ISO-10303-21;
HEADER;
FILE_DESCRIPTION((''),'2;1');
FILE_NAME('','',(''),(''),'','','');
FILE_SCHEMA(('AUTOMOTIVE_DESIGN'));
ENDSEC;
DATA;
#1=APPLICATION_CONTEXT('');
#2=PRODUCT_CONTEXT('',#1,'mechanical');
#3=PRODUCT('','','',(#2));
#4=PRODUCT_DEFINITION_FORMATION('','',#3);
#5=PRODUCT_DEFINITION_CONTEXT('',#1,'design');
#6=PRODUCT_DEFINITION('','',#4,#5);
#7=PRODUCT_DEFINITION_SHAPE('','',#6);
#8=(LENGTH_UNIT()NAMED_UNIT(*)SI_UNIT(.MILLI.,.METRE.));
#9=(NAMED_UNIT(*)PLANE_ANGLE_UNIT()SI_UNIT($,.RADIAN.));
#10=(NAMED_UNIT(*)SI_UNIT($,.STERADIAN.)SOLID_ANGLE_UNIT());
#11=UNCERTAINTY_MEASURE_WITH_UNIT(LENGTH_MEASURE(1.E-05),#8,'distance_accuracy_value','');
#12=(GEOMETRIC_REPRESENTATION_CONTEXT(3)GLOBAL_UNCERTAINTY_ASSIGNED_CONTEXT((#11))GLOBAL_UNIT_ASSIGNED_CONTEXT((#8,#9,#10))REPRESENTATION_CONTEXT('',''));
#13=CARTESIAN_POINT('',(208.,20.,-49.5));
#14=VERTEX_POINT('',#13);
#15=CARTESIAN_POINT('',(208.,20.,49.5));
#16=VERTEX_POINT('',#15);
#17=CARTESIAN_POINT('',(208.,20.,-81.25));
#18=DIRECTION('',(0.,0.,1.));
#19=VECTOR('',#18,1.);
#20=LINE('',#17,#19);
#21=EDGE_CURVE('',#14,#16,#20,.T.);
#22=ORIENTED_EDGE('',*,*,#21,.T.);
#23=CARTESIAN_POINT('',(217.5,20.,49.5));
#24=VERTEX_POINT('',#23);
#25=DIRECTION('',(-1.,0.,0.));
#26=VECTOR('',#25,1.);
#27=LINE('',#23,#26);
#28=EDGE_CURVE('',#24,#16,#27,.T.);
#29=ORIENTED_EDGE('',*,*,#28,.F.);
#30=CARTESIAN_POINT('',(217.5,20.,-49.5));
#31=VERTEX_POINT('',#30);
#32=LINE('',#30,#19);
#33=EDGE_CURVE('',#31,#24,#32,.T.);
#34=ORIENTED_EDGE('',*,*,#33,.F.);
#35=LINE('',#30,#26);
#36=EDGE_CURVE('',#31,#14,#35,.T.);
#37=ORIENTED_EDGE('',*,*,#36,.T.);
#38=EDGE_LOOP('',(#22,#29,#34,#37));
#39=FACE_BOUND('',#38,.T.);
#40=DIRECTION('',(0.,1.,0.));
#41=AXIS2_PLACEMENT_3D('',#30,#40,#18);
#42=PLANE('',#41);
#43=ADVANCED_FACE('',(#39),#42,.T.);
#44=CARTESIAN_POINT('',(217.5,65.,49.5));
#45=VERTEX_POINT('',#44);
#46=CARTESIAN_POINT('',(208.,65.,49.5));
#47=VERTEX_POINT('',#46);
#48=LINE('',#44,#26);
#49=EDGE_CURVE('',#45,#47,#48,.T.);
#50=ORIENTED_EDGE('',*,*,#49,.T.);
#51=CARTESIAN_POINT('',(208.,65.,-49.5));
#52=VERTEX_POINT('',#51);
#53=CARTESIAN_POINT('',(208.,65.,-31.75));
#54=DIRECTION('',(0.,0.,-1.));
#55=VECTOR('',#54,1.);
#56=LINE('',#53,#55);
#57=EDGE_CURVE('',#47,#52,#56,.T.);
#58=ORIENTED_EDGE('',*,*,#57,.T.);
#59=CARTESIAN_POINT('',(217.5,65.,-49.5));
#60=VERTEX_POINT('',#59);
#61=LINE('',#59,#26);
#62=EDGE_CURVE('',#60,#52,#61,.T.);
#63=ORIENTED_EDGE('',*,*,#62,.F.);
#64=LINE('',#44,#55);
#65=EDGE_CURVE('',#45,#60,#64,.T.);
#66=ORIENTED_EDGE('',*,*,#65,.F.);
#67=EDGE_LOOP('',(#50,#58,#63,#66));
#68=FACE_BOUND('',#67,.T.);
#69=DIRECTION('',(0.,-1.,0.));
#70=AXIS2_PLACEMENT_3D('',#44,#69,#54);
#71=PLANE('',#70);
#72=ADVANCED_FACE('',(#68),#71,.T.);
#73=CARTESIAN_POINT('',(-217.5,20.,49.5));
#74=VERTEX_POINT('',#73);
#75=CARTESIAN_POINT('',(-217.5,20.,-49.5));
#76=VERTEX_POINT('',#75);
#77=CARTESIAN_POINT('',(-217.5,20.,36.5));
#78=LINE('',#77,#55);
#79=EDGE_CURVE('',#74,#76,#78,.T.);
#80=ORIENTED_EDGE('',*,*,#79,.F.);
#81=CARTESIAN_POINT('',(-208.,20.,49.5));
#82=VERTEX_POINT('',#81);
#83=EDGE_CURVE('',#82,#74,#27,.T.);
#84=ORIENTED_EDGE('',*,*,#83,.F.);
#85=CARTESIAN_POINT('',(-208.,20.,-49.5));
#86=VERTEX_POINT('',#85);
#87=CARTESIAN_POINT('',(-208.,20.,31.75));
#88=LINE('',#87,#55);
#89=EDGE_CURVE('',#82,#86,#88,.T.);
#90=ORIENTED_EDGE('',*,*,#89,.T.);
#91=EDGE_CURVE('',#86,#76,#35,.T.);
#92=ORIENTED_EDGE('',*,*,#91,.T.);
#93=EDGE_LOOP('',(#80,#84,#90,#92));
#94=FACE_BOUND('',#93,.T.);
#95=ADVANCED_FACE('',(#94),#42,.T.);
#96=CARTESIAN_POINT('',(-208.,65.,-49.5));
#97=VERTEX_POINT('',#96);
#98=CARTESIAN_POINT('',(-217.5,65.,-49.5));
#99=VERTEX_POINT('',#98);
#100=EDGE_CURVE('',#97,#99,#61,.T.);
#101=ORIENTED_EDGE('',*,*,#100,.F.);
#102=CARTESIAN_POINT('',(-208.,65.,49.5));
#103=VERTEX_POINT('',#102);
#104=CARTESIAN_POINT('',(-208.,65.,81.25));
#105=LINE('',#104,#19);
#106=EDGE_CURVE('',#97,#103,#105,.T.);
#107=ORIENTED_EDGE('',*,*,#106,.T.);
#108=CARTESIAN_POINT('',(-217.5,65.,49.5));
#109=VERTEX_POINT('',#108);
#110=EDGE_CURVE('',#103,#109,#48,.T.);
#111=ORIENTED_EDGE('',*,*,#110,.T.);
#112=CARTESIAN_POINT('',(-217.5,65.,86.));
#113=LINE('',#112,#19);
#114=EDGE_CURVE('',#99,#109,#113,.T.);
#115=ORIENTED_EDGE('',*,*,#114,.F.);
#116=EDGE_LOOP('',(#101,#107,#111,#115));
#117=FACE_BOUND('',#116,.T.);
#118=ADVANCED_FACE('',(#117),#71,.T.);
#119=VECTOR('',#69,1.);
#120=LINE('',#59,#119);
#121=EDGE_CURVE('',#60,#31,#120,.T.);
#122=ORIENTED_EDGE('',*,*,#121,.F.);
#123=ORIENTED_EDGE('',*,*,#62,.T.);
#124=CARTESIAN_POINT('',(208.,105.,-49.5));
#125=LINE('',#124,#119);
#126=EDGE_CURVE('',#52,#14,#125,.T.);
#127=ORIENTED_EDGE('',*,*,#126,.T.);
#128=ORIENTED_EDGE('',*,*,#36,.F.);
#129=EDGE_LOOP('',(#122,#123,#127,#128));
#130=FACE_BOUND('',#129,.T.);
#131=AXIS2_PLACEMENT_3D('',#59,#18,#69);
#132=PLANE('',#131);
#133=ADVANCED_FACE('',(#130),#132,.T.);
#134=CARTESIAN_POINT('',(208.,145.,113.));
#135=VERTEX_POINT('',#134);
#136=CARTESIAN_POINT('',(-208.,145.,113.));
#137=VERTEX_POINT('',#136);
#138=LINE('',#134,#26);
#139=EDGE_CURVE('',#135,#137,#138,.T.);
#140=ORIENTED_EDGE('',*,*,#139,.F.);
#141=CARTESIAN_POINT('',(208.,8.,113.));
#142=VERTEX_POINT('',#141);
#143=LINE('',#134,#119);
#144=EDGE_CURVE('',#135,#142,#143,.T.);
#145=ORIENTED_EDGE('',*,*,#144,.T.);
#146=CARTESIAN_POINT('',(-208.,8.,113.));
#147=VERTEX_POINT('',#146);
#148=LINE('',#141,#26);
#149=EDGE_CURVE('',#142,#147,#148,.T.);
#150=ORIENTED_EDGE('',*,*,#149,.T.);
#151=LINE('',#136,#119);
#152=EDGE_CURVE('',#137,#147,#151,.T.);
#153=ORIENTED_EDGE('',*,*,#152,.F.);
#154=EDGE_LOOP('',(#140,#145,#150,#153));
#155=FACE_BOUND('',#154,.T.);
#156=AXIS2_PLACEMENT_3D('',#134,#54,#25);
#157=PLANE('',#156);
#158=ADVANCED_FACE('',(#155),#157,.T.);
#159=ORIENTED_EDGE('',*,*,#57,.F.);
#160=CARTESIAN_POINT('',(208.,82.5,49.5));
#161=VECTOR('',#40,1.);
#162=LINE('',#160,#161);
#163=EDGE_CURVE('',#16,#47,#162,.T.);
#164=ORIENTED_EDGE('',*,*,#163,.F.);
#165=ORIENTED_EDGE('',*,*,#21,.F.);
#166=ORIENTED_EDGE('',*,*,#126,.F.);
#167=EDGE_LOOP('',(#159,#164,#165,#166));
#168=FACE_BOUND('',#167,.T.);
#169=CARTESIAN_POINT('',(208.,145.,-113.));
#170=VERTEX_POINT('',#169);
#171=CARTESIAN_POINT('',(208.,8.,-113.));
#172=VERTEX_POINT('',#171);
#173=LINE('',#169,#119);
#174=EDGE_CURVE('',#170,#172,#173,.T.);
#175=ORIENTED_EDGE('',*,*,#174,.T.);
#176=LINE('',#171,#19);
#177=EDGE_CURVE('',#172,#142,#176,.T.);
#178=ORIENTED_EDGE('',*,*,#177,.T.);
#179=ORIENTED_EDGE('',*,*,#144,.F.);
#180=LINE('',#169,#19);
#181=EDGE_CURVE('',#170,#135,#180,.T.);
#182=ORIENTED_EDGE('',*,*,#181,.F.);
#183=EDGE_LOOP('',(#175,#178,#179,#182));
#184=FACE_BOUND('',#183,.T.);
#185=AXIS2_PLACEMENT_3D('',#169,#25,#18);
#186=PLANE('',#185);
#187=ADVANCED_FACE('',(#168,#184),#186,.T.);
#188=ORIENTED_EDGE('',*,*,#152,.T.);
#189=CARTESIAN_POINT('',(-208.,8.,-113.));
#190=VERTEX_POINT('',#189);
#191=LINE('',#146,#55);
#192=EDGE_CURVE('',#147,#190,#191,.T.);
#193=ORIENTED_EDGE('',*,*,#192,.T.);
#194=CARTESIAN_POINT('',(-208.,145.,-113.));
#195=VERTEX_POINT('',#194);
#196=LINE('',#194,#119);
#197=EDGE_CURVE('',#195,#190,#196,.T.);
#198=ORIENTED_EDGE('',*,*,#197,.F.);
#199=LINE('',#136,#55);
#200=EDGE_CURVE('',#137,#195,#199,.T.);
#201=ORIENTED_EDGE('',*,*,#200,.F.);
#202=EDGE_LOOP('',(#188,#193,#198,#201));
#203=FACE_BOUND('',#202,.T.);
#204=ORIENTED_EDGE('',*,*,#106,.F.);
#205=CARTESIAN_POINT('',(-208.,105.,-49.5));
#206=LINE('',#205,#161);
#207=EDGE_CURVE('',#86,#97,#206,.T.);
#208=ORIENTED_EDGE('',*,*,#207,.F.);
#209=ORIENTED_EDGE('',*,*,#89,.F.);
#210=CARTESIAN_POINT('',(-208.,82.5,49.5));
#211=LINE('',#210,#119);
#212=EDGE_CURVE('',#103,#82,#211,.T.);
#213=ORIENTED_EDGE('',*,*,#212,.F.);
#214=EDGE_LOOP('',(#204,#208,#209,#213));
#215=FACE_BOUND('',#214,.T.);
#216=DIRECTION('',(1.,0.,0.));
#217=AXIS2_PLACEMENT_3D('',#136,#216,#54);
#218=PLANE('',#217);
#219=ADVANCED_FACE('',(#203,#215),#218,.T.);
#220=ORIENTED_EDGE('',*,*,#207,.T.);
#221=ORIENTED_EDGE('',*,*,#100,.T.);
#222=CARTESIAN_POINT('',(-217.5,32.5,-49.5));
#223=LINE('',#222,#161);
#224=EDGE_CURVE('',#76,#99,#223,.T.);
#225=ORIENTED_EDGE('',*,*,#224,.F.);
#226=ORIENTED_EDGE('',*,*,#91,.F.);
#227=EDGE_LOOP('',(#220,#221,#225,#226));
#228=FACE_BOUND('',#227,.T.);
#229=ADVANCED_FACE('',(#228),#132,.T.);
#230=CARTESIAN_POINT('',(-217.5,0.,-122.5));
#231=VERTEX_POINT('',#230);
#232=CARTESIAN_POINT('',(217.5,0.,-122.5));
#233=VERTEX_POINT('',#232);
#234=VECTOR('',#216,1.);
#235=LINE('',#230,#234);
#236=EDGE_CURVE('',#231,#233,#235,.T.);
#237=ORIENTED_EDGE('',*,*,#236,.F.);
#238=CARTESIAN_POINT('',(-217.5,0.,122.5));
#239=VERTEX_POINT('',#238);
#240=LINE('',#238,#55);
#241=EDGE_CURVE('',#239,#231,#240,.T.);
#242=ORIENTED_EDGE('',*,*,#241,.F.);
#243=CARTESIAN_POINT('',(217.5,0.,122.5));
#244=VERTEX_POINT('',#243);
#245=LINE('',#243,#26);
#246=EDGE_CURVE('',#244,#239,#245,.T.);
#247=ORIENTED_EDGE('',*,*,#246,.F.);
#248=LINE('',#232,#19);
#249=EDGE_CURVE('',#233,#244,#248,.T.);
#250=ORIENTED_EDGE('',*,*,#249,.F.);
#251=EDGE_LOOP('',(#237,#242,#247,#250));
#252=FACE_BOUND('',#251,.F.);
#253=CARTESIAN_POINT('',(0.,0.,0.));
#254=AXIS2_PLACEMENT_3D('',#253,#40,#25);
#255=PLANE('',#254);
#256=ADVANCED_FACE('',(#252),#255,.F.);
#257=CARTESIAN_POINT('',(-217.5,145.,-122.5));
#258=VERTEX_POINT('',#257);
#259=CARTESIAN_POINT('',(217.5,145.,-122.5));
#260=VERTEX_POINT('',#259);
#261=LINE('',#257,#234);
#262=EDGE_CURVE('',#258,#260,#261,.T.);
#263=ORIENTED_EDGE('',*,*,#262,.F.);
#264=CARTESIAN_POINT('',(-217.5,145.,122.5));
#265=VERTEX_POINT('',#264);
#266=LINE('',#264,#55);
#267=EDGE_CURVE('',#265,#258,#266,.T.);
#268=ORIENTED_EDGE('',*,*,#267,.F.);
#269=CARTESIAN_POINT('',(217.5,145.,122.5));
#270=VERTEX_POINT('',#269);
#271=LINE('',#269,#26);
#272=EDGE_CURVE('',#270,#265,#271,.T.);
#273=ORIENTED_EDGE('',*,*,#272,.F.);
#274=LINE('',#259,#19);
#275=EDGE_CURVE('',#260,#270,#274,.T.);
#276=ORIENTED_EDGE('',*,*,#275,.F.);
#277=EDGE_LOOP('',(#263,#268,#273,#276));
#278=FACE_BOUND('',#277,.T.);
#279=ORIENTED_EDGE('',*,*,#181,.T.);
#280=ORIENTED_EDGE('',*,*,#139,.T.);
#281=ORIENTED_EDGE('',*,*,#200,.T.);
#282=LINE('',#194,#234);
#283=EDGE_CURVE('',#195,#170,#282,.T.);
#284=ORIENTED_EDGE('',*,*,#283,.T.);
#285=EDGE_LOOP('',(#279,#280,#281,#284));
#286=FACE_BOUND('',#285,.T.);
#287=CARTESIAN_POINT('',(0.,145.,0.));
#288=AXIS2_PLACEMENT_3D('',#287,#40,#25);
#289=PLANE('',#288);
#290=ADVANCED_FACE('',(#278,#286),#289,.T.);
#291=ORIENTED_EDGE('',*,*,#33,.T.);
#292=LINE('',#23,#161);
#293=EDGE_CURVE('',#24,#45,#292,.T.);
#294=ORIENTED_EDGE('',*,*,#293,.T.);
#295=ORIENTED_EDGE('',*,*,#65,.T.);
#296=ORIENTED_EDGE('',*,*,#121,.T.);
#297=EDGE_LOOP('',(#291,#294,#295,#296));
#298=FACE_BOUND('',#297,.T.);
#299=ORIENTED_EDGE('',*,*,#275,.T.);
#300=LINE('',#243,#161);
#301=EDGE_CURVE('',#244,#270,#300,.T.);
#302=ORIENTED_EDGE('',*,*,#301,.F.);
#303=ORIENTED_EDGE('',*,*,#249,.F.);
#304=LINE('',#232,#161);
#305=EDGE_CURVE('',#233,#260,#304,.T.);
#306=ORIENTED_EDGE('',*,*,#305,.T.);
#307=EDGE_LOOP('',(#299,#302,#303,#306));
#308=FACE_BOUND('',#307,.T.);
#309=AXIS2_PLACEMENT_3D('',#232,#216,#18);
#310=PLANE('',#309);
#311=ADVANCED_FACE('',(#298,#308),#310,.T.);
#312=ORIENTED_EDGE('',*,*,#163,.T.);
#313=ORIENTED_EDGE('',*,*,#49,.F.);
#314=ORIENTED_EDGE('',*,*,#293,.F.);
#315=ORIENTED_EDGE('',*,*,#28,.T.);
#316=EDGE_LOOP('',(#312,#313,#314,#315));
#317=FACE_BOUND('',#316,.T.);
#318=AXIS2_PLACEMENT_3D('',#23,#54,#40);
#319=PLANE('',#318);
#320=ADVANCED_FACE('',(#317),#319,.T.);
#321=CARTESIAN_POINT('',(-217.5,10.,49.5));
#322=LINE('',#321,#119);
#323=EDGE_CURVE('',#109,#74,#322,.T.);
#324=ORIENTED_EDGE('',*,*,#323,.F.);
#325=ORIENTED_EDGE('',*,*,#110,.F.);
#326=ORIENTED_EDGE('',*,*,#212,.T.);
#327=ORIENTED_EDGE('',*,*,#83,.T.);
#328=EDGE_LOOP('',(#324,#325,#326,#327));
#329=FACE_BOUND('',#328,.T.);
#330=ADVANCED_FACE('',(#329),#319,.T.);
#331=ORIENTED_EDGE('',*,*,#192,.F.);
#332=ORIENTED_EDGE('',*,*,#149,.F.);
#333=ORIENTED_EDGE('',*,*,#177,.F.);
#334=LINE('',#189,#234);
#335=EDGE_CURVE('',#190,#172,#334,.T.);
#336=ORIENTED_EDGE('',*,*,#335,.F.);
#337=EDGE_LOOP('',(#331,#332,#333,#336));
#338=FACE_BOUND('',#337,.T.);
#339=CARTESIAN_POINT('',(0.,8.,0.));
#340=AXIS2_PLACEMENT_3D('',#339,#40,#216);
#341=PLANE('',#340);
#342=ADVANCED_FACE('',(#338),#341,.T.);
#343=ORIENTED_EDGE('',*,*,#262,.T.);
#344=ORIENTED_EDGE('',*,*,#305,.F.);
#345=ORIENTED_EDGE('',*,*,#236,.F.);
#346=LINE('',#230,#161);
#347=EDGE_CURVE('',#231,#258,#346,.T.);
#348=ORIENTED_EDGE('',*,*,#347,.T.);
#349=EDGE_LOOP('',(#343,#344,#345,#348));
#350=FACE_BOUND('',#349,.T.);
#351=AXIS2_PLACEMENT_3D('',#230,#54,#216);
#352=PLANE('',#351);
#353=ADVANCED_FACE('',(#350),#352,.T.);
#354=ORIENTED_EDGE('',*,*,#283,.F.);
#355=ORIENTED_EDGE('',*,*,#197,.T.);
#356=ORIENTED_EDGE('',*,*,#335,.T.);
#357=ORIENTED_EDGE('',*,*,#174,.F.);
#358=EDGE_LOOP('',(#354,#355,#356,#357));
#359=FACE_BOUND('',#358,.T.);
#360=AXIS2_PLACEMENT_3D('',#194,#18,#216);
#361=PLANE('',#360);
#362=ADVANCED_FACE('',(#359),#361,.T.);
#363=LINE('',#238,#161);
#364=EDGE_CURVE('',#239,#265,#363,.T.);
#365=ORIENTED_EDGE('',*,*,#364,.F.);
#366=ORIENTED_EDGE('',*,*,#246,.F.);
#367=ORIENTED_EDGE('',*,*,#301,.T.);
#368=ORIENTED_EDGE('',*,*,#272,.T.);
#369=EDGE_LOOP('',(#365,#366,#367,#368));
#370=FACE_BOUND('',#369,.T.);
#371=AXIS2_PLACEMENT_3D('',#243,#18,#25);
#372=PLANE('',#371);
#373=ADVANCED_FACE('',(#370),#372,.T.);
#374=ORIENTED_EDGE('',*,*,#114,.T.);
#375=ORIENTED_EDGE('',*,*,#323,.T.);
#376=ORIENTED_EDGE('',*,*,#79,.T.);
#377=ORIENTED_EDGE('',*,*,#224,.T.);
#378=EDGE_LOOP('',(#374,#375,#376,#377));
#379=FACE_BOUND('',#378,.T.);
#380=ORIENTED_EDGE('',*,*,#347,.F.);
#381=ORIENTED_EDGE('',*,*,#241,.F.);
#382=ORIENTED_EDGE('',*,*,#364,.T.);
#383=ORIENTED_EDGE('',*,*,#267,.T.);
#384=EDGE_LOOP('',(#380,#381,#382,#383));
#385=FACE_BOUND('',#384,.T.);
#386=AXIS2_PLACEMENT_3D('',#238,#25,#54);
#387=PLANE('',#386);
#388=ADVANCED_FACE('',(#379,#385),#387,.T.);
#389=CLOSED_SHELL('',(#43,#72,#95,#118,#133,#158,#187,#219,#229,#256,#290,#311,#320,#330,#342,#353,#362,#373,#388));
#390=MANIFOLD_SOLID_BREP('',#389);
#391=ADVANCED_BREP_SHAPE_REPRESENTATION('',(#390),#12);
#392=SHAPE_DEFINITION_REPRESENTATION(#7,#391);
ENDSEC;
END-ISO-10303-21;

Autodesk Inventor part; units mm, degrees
ref_plane "YZ Plane" through (0, 0, 0) normal (1, 0, 0) x (0, 1, 0)
ref_plane "XZ Plane" through (0, 0, 0) normal (0, 1, 0) x (-1, 0, 0)
ref_plane "XY Plane" through (0, 0, 0) normal (0, 0, 1) x (1, 0, 0)
sketch "Sketch1" plane through (0, 0, 0) normal (0, 1, 0) x (-1, 0, 0)
  line L0 (217.5, -122.5) -> (-217.5, -122.5)
  line L1 (-217.5, -122.5) -> (-217.5, 122.5)
  line L2 (-217.5, 122.5) -> (217.5, 122.5)
  line L3 (217.5, 122.5) -> (217.5, -122.5)
  line L4 (217.5, -122.5) -> (-217.5, 122.5) construction
  line L5 (-217.5, -122.5) -> (217.5, 122.5) construction
  point P0 (0, 0)
  dimension "d0" = 435
  dimension "d1" = 245
extrude "Extrusion1" add sketch "Sketch1" along normal blind 145
sketch "Sketch3" plane through (217.5, 0, 122.5) normal (1, 0, 0) x (0, 0, -1)
  line L0 (73, 65) -> (172, 65)
  line L1 (172, 65) -> (172, 20)
  line L2 (172, 20) -> (73, 20)
  line L3 (73, 20) -> (73, 65)
  line L4 (245, 0) -> (245, 145) projected
  line L5 (0, 145) -> (245, 145) projected
  line L6 (0, 5) -> (240, 5) projected
  point P0 (122.5, 0)
  point P1 (172, 42.5)
  dimension "d12" = 73
  dimension "d13" = 80
  dimension "d14" = 99
  dimension "d16" = 45
extrude "Extrusion3" cut sketch "Sketch3" against normal blind 450
sketch "Sketch4" plane through (0, 145, 0) normal (0, 1, 0) x (1, 0, 0)
  line L0 (-208, 113) -> (208, 113)
  line L1 (208, 113) -> (208, -113)
  line L2 (208, -113) -> (-208, -113)
  line L3 (-208, -113) -> (-208, 113)
  line L4 (217.5, 122.5) -> (-217.5, 122.5) projected
  line L5 (217.5, -122.5) -> (217.5, 122.5) projected
  line L6 (-217.5, -122.5) -> (217.5, -122.5) projected
  line L7 (-217.5, 122.5) -> (-217.5, -122.5) projected
  point P0 (0, 0)
  dimension "d19" = 9.5
  dimension "d20" = 9.5
  dimension "d21" = 9.5
  dimension "d22" = 9.5
extrude "Extrusion4" cut sketch "Sketch4" against normal blind 137 contours L0 L1 L2 L3
properties part number "Kenyertarto"
